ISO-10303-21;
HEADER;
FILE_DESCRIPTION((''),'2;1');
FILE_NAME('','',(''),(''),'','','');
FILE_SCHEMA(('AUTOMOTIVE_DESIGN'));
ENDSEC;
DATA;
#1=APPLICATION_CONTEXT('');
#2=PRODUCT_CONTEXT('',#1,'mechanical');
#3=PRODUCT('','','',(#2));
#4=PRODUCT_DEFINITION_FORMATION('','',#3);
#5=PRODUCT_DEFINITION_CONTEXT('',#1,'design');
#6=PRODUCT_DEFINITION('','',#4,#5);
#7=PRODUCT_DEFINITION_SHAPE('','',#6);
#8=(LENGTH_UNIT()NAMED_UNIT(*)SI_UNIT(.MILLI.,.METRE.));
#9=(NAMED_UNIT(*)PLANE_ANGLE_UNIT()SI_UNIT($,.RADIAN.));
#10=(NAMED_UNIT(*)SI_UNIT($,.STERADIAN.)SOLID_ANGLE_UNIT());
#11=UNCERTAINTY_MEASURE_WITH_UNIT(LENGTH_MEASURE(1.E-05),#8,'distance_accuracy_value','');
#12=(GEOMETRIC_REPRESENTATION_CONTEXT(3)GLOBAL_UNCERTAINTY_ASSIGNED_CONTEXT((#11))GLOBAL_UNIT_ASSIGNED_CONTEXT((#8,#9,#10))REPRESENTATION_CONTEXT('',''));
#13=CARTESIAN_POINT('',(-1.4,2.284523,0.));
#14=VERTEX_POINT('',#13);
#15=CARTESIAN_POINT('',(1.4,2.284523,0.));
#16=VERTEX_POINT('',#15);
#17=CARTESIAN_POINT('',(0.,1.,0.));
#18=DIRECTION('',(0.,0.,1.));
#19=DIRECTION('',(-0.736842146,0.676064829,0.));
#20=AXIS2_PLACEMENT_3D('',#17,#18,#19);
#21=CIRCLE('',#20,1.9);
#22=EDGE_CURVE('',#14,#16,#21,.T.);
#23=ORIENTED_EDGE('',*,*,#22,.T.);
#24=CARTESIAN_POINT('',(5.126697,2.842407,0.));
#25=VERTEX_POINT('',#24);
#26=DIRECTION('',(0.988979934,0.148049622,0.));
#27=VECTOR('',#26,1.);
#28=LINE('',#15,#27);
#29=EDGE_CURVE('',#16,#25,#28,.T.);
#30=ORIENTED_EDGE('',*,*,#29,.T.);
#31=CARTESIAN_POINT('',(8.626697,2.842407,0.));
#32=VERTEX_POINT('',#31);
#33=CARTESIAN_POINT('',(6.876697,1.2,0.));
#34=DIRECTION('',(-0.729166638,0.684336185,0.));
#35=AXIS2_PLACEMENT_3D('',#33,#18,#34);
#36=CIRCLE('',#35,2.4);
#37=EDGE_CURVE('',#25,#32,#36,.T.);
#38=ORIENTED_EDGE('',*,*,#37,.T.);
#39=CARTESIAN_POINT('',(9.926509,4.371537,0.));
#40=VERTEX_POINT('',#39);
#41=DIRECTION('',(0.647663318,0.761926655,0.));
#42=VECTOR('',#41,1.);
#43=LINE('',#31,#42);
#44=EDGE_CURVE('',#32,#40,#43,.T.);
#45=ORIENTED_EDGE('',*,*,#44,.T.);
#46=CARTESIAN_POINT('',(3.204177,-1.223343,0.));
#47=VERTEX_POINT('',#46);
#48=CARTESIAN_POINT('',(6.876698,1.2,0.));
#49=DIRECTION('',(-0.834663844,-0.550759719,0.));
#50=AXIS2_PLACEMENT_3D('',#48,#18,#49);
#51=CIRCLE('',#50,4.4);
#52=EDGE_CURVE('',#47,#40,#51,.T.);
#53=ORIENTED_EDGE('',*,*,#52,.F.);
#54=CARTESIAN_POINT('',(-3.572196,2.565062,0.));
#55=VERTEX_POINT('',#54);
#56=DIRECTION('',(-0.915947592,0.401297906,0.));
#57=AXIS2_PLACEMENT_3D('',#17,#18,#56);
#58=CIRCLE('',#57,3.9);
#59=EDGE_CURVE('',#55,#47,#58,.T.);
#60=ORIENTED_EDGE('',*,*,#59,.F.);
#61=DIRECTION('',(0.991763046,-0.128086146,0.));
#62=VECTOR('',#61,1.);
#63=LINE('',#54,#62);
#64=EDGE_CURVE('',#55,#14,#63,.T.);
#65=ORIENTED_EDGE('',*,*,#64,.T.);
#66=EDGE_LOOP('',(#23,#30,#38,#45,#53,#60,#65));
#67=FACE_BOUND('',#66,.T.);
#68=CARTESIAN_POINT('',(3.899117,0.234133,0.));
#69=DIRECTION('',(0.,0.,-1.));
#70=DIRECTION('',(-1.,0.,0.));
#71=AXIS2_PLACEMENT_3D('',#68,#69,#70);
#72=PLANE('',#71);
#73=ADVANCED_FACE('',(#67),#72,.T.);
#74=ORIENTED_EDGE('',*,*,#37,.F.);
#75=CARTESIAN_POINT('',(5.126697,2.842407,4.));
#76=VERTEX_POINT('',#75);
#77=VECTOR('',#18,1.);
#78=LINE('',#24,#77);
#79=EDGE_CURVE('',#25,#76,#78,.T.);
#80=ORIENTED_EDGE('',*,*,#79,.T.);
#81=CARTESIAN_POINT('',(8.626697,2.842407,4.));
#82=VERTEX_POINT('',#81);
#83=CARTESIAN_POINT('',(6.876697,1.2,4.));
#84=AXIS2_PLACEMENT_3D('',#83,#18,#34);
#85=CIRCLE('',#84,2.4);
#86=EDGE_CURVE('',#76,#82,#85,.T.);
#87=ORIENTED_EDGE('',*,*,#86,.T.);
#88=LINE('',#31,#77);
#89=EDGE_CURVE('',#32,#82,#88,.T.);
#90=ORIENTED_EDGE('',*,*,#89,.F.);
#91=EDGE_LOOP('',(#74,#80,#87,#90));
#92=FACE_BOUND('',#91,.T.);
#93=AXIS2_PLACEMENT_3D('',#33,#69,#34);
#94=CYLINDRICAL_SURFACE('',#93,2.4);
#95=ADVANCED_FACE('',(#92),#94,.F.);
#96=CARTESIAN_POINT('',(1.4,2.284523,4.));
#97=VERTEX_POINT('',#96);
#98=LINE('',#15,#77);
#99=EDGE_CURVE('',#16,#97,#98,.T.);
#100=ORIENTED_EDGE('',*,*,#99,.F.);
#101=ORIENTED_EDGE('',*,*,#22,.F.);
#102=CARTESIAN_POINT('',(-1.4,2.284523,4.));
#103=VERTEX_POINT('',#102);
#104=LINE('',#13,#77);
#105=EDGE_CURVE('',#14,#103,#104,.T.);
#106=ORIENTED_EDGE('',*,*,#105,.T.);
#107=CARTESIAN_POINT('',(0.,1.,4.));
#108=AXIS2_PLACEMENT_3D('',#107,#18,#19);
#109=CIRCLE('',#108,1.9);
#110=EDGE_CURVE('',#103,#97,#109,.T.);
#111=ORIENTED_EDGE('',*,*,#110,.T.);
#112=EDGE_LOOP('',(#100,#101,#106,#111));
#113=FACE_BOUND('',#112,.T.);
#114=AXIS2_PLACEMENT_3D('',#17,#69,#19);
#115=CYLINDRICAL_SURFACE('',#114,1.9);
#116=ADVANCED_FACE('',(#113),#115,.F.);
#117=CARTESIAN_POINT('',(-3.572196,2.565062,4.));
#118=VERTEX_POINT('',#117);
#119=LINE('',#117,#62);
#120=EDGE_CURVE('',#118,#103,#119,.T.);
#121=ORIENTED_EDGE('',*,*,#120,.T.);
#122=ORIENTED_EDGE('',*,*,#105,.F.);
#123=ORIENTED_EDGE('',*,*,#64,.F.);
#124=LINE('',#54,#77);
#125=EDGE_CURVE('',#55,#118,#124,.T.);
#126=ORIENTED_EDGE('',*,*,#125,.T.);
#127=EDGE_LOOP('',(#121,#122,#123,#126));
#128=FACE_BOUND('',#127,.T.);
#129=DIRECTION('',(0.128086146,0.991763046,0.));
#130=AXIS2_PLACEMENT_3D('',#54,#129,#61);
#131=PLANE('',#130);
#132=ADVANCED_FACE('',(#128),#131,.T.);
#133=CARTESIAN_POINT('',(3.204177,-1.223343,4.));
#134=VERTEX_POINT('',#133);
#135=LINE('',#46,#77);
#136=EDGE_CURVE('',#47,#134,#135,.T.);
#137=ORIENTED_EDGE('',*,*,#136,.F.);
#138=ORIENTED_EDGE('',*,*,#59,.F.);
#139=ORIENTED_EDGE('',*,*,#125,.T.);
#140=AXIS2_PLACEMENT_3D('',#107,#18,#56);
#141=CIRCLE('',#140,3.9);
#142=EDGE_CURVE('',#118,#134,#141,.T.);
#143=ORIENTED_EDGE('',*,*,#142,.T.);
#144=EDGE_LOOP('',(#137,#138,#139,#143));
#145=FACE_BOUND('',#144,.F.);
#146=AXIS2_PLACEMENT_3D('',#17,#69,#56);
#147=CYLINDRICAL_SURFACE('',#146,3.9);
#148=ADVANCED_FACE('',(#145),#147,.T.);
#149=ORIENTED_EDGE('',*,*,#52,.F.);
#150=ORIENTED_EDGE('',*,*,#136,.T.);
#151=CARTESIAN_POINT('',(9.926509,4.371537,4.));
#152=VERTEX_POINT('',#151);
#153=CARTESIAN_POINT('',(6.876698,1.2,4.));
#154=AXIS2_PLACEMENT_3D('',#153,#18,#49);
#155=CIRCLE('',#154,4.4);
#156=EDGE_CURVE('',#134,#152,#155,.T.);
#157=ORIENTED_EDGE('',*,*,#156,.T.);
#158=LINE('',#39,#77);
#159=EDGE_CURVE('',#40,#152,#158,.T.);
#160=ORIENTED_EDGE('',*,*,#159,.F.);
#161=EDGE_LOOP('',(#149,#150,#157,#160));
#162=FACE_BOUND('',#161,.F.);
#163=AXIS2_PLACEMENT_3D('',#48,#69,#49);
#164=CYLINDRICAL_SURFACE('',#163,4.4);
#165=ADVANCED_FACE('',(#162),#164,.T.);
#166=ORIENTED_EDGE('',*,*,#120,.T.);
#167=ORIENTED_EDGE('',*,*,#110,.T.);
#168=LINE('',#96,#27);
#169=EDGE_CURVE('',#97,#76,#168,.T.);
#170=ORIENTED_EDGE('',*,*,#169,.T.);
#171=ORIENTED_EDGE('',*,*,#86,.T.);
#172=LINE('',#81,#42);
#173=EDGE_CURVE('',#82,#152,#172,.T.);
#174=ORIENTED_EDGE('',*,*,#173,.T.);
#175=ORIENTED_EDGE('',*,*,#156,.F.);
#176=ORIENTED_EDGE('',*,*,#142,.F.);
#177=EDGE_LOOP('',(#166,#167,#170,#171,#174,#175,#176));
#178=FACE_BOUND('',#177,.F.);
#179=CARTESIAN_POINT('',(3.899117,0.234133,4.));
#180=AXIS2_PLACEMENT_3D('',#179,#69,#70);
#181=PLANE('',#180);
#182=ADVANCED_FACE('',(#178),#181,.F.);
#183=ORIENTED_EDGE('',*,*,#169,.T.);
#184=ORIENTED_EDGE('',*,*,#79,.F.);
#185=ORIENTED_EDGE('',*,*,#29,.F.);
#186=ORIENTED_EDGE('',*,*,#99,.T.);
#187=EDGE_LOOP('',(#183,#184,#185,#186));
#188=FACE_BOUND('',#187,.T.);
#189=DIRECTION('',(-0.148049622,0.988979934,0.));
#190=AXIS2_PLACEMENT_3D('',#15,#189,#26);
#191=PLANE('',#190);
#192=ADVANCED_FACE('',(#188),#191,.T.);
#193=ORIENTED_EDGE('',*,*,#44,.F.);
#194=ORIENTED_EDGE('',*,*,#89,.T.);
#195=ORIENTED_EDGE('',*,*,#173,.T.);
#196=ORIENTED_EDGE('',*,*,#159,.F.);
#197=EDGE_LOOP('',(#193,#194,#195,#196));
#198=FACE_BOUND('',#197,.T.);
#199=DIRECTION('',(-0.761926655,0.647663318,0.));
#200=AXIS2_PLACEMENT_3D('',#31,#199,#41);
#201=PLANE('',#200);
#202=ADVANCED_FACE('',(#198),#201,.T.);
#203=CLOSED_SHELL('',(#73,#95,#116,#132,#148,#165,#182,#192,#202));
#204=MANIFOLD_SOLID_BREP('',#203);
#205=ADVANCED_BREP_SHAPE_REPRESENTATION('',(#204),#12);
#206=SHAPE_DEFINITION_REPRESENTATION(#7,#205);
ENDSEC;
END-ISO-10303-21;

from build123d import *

# Parameters (mm, degrees)
PAD_DEPTH = 4


with BuildPart() as part:
    # Sketch → Pad (new body)
    with BuildSketch(Plane.XY):
        with BuildLine():
            ThreePointArc((-1.4, 2.284523), (0, -0.9), (1.4, 2.284523))
            Line((1.4, 2.284523), (5.126697, 2.842407))
            ThreePointArc((5.126697, 2.842407), (6.876697, -1.2), (8.626697, 2.842407))
            Line((8.626697, 2.842407), (9.926509, 4.371537))
            ThreePointArc((3.204177, -1.223343), (9.691411, -2.181921), (9.926509, 4.371537))
            ThreePointArc((-3.572196, 2.565062), (-1.903119, -2.404136), (3.204177, -1.223343))
            Line((-3.572196, 2.565062), (-1.4, 2.284523))
        make_face()
    extrude(amount=PAD_DEPTH)


solid = part.part
